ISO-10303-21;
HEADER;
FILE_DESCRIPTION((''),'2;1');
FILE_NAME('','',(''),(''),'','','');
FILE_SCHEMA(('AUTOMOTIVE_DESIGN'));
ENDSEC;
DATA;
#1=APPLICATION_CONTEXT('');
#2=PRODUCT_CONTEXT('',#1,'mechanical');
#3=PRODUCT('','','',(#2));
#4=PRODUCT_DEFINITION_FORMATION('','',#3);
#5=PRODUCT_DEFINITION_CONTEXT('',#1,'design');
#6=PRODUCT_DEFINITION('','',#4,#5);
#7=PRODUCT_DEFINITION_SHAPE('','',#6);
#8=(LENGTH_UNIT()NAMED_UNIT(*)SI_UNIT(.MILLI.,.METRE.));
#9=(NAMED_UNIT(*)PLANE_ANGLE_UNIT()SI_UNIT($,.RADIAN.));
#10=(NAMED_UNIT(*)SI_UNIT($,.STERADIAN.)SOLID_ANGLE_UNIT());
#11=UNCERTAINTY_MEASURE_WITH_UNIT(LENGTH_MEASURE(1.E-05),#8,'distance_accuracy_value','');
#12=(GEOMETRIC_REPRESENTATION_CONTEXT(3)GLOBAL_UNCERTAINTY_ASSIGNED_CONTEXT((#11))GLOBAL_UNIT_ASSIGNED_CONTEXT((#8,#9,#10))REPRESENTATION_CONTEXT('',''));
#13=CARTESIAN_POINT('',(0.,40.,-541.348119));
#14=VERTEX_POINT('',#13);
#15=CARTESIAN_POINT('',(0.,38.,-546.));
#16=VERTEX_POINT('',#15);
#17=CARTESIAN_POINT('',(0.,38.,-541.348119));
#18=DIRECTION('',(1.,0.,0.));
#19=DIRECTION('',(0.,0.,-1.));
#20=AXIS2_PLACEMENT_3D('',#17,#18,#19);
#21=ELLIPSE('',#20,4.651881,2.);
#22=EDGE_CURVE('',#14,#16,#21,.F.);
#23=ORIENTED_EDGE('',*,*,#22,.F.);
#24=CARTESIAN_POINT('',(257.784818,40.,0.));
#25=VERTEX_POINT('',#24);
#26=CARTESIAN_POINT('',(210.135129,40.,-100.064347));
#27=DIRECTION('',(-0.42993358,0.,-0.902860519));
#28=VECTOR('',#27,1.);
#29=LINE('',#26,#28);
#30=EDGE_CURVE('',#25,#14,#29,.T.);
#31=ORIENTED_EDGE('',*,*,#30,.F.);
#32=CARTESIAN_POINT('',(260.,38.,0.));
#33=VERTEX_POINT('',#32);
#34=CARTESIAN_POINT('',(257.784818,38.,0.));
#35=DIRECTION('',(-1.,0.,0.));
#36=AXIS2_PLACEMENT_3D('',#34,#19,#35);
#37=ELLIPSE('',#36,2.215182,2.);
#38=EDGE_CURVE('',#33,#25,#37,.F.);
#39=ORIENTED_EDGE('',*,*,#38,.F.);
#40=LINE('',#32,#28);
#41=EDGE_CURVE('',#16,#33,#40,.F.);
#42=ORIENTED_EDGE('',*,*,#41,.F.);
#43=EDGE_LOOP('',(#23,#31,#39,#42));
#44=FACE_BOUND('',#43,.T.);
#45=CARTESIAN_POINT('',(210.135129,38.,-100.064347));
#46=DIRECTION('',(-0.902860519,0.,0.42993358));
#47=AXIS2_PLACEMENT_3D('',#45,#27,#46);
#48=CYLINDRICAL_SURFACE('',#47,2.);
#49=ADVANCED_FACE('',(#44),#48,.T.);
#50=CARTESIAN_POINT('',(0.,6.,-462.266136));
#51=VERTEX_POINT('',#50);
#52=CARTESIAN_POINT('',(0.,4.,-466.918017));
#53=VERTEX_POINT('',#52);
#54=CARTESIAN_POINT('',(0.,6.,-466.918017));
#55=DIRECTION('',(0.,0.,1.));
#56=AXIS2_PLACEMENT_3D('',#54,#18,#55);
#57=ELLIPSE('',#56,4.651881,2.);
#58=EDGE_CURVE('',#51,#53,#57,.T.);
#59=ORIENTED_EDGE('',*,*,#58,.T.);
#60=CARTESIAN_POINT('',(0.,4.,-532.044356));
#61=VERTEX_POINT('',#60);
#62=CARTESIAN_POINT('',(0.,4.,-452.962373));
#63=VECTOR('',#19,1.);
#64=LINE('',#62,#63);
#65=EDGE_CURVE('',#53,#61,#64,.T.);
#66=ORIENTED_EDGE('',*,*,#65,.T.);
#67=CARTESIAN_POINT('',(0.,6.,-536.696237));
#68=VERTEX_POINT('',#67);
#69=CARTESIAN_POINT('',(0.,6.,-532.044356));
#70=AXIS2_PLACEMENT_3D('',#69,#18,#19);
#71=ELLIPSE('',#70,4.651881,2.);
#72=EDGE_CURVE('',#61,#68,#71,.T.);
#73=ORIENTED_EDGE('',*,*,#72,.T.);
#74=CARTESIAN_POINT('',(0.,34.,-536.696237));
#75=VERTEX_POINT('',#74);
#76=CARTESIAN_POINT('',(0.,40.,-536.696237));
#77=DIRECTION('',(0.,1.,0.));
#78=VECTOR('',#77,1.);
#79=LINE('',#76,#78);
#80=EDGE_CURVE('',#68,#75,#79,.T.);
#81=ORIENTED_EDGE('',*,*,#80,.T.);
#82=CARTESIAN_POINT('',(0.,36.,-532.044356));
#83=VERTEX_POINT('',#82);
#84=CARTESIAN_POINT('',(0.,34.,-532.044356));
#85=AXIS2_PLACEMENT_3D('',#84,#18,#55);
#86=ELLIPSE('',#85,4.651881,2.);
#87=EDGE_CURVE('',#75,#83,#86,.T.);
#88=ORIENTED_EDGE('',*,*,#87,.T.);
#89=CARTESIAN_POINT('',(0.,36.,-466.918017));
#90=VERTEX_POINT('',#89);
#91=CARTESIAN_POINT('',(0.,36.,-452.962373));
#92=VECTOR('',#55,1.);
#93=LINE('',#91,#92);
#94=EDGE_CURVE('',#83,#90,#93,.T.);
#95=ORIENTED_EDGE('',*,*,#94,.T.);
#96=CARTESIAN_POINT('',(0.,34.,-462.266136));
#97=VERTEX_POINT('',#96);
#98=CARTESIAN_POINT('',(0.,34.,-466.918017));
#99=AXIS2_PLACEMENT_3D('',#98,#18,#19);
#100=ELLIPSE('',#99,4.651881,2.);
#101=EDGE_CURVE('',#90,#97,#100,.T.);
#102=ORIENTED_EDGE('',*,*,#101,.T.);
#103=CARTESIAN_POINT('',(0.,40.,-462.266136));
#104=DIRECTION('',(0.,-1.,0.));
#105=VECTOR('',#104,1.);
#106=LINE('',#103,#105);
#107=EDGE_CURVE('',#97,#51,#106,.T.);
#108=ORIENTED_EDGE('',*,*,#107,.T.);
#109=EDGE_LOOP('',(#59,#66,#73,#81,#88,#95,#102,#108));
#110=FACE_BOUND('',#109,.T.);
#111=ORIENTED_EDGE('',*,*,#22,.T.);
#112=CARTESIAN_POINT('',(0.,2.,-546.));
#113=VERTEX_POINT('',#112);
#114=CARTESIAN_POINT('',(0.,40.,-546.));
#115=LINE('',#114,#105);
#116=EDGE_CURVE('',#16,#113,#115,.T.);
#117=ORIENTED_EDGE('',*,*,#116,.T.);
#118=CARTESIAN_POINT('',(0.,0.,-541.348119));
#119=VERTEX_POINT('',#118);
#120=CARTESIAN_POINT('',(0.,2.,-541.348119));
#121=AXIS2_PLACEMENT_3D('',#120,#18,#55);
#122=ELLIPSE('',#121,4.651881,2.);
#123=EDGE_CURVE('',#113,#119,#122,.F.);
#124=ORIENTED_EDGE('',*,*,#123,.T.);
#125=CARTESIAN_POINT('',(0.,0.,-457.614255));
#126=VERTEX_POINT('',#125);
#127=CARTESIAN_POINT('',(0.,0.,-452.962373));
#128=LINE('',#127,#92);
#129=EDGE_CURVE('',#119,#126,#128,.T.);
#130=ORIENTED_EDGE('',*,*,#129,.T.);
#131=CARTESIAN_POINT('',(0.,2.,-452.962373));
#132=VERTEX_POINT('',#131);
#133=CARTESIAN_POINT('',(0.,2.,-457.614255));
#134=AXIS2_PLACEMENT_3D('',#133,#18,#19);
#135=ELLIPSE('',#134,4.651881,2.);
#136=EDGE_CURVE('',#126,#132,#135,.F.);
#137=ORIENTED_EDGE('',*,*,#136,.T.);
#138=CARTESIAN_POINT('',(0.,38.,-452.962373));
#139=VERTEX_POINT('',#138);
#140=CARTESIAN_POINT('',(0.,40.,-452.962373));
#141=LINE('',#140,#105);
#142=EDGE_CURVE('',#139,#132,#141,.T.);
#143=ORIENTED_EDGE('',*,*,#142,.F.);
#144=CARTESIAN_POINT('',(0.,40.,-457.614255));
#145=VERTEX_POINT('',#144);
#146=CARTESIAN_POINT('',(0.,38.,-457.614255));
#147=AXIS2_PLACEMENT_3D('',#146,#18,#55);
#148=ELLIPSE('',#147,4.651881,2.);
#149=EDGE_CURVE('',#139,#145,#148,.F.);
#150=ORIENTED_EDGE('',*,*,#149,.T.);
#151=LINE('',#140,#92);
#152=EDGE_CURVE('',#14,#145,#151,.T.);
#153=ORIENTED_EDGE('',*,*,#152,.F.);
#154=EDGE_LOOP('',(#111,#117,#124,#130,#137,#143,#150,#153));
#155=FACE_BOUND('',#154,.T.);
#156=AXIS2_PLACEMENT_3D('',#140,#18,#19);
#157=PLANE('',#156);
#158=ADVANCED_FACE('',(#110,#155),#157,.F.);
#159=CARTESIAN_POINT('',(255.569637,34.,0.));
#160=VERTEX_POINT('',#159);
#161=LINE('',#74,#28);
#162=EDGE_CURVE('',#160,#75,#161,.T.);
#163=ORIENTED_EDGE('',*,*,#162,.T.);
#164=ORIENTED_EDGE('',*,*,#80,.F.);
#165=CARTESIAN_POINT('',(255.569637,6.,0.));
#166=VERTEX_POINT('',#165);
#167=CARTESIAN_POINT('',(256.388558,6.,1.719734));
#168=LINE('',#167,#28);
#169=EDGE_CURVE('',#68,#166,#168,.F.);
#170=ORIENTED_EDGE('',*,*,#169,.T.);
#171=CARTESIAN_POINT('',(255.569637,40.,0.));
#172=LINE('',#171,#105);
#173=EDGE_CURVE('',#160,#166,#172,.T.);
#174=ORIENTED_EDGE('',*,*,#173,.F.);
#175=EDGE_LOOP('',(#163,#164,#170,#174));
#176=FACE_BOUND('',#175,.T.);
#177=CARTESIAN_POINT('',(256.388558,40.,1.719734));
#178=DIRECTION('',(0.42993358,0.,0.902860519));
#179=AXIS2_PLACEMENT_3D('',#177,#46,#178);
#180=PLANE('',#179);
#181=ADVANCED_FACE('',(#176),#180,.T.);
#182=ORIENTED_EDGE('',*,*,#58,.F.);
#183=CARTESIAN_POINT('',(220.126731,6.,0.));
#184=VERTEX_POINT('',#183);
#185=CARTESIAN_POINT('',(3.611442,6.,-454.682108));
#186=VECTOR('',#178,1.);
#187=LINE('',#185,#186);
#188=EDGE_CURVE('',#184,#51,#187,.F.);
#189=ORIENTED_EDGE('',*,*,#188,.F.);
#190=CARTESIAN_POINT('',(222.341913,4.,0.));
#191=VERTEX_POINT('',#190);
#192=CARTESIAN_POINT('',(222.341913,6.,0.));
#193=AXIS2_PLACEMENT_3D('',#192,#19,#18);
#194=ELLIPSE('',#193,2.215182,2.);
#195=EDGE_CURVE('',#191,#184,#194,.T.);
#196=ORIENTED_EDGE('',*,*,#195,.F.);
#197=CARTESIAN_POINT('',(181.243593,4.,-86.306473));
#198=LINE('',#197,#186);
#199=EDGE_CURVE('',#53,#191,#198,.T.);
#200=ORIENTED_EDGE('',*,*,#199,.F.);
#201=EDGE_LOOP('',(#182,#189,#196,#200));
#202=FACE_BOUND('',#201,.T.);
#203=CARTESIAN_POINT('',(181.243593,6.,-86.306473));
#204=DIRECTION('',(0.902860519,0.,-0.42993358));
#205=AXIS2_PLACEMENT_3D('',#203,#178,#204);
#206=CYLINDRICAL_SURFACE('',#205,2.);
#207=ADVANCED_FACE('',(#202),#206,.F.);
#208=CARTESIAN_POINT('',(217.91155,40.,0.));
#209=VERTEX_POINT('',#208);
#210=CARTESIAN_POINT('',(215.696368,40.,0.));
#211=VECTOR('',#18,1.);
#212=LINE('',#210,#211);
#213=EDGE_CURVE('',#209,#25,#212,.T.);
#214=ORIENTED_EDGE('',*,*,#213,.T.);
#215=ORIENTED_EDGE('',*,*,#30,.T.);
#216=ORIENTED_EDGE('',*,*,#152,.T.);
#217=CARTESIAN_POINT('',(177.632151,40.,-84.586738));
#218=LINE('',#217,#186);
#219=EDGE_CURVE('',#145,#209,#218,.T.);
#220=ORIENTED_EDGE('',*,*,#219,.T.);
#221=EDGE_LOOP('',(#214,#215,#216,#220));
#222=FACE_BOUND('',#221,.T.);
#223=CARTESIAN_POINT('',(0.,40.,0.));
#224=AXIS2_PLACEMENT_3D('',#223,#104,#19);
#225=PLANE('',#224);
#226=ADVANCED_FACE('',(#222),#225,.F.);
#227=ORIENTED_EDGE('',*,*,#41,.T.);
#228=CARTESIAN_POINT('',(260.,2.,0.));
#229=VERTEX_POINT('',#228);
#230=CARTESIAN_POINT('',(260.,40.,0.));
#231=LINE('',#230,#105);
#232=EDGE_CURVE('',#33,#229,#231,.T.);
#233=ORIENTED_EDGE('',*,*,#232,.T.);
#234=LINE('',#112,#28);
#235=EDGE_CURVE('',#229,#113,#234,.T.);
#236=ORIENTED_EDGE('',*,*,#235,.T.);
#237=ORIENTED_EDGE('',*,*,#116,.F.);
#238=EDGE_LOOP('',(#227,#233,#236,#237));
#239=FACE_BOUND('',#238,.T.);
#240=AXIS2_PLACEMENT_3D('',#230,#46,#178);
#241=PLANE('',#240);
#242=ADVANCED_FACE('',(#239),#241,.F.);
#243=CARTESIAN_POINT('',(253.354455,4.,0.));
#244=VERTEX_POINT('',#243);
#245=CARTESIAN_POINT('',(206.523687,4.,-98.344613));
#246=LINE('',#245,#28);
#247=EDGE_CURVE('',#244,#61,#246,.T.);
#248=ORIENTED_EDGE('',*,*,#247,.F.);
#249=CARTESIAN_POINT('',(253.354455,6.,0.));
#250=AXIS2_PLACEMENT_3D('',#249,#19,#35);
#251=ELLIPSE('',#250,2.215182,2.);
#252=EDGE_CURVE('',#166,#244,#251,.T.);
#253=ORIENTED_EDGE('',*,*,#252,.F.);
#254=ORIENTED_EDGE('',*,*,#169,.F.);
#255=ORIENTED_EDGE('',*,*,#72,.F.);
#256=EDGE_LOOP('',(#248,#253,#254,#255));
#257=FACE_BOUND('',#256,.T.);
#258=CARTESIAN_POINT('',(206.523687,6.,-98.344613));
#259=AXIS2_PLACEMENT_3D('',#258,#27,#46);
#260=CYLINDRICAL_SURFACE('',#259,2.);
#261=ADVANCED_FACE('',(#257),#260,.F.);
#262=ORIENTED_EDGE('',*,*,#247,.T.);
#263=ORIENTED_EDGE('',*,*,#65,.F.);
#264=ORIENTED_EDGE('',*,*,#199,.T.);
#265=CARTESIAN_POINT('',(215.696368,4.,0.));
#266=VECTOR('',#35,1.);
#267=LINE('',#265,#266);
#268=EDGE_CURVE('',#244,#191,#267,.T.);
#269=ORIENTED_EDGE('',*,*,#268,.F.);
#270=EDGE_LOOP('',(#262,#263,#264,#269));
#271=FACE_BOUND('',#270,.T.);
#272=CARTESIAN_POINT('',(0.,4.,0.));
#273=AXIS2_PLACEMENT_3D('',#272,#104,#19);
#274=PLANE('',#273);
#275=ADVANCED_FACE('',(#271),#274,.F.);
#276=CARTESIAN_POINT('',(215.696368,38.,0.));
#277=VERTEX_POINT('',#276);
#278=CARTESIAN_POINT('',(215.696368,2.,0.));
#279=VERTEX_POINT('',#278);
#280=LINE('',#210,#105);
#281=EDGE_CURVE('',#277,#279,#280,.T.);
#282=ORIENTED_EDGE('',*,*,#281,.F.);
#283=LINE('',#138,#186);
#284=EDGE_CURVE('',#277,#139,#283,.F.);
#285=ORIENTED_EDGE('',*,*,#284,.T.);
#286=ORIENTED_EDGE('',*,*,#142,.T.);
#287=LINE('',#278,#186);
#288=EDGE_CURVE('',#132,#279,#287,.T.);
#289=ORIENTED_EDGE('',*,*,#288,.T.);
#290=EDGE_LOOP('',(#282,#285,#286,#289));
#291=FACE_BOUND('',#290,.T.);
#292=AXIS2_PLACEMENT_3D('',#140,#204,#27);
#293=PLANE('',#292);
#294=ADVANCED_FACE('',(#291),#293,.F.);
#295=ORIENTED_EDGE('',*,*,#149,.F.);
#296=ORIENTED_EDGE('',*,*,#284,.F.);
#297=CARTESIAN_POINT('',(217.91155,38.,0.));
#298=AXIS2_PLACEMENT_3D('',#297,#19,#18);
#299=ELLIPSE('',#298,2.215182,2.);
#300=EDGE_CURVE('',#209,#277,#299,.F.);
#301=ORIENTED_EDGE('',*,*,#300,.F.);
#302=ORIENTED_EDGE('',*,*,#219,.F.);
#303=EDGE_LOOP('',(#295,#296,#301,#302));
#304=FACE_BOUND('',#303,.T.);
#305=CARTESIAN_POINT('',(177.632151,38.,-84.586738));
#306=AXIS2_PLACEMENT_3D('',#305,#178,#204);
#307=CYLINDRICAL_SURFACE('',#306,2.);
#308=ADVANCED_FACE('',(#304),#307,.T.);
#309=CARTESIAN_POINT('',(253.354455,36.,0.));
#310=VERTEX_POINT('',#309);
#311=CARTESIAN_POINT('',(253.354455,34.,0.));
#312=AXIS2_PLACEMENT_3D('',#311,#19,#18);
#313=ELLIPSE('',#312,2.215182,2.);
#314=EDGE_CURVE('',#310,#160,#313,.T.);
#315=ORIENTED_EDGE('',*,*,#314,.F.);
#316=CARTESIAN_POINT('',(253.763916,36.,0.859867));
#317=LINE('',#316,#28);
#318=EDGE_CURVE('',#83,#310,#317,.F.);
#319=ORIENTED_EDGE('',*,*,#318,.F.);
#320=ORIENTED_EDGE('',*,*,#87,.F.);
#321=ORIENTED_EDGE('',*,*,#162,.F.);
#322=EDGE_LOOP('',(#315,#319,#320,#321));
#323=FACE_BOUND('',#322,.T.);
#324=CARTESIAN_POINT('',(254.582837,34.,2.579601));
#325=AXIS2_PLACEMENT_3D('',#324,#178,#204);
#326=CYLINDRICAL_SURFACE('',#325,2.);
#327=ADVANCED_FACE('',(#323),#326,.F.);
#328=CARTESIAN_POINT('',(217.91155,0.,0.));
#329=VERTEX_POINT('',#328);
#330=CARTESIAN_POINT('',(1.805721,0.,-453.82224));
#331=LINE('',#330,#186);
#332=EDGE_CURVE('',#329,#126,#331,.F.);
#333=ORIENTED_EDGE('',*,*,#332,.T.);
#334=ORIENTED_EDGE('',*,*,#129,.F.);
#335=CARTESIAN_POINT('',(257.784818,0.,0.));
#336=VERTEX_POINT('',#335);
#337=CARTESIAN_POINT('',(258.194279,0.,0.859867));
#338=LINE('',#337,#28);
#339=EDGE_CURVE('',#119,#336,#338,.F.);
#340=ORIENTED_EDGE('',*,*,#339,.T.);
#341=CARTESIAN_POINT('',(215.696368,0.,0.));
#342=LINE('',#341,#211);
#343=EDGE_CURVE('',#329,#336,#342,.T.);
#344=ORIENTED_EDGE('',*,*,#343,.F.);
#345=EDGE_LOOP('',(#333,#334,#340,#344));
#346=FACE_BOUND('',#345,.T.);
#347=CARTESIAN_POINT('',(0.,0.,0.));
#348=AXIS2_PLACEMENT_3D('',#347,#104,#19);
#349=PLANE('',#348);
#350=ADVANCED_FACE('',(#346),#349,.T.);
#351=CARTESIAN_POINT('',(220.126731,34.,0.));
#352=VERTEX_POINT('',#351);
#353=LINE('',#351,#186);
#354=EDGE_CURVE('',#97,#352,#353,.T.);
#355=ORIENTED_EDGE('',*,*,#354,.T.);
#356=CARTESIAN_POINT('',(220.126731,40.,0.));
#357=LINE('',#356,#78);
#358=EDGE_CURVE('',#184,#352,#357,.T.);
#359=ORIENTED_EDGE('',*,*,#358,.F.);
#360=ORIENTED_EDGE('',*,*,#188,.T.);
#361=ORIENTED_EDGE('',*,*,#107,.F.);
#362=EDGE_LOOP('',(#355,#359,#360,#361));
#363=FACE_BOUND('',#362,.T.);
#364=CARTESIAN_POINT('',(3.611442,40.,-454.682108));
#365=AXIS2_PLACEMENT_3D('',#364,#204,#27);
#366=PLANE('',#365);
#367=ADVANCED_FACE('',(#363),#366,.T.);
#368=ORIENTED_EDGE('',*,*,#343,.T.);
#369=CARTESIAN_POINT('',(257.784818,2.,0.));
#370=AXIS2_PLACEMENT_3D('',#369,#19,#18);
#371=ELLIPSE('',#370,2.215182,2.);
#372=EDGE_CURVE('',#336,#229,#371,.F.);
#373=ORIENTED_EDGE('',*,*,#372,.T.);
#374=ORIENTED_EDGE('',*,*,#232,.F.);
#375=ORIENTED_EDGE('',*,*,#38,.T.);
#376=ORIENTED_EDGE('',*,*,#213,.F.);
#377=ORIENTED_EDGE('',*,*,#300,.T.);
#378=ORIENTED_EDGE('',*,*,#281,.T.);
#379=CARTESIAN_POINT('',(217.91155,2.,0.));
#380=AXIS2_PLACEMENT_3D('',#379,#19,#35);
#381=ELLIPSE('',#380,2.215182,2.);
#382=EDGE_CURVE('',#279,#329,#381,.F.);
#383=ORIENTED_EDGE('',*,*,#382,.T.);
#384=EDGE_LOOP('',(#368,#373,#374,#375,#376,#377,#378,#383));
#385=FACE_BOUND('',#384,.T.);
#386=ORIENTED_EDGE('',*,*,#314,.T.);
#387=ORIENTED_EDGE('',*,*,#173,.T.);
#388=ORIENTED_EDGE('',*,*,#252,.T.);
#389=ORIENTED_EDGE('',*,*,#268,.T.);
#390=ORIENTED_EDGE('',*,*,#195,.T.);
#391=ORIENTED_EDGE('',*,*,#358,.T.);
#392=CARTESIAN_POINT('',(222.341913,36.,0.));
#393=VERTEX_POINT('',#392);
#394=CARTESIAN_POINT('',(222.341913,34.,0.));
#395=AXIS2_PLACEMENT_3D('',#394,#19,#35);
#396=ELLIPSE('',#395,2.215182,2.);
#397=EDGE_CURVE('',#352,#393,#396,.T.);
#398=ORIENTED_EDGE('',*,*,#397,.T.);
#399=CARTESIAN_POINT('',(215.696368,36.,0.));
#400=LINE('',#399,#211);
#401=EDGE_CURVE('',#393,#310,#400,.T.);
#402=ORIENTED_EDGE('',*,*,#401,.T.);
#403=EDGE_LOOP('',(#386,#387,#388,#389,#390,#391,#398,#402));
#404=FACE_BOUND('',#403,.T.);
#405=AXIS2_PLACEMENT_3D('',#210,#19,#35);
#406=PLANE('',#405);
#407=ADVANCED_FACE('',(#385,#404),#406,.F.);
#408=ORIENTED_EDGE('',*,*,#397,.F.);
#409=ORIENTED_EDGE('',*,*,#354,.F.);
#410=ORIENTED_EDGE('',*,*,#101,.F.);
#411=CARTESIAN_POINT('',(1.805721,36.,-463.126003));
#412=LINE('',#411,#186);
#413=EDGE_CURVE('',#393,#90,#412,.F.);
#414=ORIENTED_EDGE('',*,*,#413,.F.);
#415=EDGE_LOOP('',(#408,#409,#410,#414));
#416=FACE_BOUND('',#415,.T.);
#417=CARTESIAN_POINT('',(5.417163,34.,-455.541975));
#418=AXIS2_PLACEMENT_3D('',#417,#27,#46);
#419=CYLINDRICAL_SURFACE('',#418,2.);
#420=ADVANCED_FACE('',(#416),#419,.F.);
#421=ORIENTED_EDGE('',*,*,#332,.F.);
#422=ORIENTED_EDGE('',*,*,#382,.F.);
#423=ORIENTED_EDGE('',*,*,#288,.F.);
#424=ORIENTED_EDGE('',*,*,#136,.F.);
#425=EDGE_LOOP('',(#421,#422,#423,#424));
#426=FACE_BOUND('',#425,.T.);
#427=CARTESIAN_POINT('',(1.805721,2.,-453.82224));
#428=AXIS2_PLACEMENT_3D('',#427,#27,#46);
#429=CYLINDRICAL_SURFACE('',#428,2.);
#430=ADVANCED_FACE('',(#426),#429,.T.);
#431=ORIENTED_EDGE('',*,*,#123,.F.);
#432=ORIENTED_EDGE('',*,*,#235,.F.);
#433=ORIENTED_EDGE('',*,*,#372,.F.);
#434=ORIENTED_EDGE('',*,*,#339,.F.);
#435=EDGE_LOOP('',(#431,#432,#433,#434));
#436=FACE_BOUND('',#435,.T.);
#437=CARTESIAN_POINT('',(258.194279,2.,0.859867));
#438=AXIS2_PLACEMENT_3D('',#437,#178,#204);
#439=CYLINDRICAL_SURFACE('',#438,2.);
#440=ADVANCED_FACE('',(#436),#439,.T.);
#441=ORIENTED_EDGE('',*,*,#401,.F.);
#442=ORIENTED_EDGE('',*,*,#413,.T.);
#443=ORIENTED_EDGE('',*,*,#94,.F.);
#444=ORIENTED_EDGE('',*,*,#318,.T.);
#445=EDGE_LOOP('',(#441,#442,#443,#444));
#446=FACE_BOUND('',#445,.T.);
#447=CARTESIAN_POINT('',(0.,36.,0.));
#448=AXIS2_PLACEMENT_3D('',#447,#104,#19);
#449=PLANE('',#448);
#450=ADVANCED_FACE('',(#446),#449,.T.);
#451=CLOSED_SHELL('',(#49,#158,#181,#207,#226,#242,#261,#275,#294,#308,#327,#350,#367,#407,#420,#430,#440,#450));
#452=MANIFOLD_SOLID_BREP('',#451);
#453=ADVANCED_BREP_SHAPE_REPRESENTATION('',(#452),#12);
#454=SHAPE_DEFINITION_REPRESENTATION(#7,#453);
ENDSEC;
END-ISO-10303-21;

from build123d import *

# Parameters (mm, degrees)
BOSS_EXTRU_1_DEPTH           = 40
COQUE1_T                     = 4
ENL_V_MAT_EXTRU_1_DEPTH      = 669.291236076
ENL_V_MAT_EXTRU_1_DEPTH_BACK = 669.291236076
ESQUISSE2_W                  = 32
ESQUISSE2_H                  = 32
CONG_1_R                     = 2


with BuildPart() as part:
    # Esquisse1 → Boss.-Extru.1 (new body)
    with BuildSketch(Plane(origin=(0, 0, 0), x_dir=(1, 0, 0), z_dir=(0, 1, 0))):
        Polygon((0, 452.962373203), (215.696368192, 0), (260, 0), (0, 546), align=None)
    extrude(amount=BOSS_EXTRU_1_DEPTH)

    # Coque1 (no face opened: a closed hollow body)
    add(offset(amount=-COQUE1_T, mode=Mode.PRIVATE), mode=Mode.SUBTRACT)

    # Esquisse2 → Enlèv. mat.-Extru.1 (cut, two sides: drawn at the far end of the back side and taken through both)
    with BuildSketch(Plane(origin=(39.869938668, 0, 83.726871202), x_dir=(0, -1, 0), z_dir=(-0.42993358039234786, 0, -0.9028605188239303)).offset(-ENL_V_MAT_EXTRU_1_DEPTH_BACK)):
        with Locations((-20, -214.743734894)):
            Rectangle(ESQUISSE2_W, ESQUISSE2_H)
    extrude(amount=ENL_V_MAT_EXTRU_1_DEPTH + ENL_V_MAT_EXTRU_1_DEPTH_BACK, mode=Mode.SUBTRACT)

    # Congé1
    cong_1_edges = [part.edges().sort_by_distance(p)[0] for p in [
        (130, 40, -273),
        (110.063365686, 4, -231.133067941),
        (127.78481841, 4, -268.34811866),
        (110.063365686, 36, -231.133067941),
        (127.78481841, 36, -268.34811866),
        (130, 0, -273),
        (107.848184096, 0, -226.481186602),
        (107.848184096, 40, -226.481186602),
    ]]
    fillet(cong_1_edges, radius=CONG_1_R)


solid = part.part
